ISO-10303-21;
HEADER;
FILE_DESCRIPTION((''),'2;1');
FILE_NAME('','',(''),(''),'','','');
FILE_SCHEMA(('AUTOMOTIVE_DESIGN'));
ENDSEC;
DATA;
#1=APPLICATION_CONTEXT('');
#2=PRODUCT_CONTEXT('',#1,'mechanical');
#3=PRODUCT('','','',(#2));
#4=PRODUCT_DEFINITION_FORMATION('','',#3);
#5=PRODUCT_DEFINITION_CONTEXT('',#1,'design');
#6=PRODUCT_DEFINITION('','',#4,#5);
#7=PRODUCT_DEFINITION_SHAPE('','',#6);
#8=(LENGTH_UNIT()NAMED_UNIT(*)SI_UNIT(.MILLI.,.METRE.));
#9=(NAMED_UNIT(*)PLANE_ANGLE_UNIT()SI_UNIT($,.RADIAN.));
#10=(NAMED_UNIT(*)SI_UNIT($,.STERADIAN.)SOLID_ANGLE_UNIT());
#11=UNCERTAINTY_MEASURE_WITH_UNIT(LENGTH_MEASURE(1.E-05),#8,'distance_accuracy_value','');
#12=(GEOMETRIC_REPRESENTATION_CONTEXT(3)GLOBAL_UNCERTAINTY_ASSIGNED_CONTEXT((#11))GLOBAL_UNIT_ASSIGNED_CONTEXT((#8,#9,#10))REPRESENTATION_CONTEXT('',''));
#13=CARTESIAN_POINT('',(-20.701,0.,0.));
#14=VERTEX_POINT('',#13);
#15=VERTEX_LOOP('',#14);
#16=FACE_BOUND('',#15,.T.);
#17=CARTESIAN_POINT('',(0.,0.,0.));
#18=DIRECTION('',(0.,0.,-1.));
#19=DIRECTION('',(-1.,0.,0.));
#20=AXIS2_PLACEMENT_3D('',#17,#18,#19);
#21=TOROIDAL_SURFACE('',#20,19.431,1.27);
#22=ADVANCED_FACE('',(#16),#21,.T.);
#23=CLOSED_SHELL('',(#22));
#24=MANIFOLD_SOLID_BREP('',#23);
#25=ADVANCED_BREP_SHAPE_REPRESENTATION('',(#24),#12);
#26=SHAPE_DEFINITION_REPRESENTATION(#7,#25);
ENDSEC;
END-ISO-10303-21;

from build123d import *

# Parameters (mm, degrees)
SKETCH1_R = 1.27


with BuildPart() as part:
    # Sketch1 → Revolve1 (revolve)
    with BuildSketch(Plane(origin=(0, 0, 0), x_dir=(1, 0, 0), z_dir=(0, 1, 0)), mode=Mode.PRIVATE) as revolve1_sk:
        with Locations((19.431, 0)):
            Circle(SKETCH1_R)
    revolve(revolve1_sk.sketch.rotate(Axis((0, 0, -34.873120959), (0, 0, 1)), 180), axis=Axis((0, 0, -34.873120959), (0, 0, 1)))


solid = part.part
